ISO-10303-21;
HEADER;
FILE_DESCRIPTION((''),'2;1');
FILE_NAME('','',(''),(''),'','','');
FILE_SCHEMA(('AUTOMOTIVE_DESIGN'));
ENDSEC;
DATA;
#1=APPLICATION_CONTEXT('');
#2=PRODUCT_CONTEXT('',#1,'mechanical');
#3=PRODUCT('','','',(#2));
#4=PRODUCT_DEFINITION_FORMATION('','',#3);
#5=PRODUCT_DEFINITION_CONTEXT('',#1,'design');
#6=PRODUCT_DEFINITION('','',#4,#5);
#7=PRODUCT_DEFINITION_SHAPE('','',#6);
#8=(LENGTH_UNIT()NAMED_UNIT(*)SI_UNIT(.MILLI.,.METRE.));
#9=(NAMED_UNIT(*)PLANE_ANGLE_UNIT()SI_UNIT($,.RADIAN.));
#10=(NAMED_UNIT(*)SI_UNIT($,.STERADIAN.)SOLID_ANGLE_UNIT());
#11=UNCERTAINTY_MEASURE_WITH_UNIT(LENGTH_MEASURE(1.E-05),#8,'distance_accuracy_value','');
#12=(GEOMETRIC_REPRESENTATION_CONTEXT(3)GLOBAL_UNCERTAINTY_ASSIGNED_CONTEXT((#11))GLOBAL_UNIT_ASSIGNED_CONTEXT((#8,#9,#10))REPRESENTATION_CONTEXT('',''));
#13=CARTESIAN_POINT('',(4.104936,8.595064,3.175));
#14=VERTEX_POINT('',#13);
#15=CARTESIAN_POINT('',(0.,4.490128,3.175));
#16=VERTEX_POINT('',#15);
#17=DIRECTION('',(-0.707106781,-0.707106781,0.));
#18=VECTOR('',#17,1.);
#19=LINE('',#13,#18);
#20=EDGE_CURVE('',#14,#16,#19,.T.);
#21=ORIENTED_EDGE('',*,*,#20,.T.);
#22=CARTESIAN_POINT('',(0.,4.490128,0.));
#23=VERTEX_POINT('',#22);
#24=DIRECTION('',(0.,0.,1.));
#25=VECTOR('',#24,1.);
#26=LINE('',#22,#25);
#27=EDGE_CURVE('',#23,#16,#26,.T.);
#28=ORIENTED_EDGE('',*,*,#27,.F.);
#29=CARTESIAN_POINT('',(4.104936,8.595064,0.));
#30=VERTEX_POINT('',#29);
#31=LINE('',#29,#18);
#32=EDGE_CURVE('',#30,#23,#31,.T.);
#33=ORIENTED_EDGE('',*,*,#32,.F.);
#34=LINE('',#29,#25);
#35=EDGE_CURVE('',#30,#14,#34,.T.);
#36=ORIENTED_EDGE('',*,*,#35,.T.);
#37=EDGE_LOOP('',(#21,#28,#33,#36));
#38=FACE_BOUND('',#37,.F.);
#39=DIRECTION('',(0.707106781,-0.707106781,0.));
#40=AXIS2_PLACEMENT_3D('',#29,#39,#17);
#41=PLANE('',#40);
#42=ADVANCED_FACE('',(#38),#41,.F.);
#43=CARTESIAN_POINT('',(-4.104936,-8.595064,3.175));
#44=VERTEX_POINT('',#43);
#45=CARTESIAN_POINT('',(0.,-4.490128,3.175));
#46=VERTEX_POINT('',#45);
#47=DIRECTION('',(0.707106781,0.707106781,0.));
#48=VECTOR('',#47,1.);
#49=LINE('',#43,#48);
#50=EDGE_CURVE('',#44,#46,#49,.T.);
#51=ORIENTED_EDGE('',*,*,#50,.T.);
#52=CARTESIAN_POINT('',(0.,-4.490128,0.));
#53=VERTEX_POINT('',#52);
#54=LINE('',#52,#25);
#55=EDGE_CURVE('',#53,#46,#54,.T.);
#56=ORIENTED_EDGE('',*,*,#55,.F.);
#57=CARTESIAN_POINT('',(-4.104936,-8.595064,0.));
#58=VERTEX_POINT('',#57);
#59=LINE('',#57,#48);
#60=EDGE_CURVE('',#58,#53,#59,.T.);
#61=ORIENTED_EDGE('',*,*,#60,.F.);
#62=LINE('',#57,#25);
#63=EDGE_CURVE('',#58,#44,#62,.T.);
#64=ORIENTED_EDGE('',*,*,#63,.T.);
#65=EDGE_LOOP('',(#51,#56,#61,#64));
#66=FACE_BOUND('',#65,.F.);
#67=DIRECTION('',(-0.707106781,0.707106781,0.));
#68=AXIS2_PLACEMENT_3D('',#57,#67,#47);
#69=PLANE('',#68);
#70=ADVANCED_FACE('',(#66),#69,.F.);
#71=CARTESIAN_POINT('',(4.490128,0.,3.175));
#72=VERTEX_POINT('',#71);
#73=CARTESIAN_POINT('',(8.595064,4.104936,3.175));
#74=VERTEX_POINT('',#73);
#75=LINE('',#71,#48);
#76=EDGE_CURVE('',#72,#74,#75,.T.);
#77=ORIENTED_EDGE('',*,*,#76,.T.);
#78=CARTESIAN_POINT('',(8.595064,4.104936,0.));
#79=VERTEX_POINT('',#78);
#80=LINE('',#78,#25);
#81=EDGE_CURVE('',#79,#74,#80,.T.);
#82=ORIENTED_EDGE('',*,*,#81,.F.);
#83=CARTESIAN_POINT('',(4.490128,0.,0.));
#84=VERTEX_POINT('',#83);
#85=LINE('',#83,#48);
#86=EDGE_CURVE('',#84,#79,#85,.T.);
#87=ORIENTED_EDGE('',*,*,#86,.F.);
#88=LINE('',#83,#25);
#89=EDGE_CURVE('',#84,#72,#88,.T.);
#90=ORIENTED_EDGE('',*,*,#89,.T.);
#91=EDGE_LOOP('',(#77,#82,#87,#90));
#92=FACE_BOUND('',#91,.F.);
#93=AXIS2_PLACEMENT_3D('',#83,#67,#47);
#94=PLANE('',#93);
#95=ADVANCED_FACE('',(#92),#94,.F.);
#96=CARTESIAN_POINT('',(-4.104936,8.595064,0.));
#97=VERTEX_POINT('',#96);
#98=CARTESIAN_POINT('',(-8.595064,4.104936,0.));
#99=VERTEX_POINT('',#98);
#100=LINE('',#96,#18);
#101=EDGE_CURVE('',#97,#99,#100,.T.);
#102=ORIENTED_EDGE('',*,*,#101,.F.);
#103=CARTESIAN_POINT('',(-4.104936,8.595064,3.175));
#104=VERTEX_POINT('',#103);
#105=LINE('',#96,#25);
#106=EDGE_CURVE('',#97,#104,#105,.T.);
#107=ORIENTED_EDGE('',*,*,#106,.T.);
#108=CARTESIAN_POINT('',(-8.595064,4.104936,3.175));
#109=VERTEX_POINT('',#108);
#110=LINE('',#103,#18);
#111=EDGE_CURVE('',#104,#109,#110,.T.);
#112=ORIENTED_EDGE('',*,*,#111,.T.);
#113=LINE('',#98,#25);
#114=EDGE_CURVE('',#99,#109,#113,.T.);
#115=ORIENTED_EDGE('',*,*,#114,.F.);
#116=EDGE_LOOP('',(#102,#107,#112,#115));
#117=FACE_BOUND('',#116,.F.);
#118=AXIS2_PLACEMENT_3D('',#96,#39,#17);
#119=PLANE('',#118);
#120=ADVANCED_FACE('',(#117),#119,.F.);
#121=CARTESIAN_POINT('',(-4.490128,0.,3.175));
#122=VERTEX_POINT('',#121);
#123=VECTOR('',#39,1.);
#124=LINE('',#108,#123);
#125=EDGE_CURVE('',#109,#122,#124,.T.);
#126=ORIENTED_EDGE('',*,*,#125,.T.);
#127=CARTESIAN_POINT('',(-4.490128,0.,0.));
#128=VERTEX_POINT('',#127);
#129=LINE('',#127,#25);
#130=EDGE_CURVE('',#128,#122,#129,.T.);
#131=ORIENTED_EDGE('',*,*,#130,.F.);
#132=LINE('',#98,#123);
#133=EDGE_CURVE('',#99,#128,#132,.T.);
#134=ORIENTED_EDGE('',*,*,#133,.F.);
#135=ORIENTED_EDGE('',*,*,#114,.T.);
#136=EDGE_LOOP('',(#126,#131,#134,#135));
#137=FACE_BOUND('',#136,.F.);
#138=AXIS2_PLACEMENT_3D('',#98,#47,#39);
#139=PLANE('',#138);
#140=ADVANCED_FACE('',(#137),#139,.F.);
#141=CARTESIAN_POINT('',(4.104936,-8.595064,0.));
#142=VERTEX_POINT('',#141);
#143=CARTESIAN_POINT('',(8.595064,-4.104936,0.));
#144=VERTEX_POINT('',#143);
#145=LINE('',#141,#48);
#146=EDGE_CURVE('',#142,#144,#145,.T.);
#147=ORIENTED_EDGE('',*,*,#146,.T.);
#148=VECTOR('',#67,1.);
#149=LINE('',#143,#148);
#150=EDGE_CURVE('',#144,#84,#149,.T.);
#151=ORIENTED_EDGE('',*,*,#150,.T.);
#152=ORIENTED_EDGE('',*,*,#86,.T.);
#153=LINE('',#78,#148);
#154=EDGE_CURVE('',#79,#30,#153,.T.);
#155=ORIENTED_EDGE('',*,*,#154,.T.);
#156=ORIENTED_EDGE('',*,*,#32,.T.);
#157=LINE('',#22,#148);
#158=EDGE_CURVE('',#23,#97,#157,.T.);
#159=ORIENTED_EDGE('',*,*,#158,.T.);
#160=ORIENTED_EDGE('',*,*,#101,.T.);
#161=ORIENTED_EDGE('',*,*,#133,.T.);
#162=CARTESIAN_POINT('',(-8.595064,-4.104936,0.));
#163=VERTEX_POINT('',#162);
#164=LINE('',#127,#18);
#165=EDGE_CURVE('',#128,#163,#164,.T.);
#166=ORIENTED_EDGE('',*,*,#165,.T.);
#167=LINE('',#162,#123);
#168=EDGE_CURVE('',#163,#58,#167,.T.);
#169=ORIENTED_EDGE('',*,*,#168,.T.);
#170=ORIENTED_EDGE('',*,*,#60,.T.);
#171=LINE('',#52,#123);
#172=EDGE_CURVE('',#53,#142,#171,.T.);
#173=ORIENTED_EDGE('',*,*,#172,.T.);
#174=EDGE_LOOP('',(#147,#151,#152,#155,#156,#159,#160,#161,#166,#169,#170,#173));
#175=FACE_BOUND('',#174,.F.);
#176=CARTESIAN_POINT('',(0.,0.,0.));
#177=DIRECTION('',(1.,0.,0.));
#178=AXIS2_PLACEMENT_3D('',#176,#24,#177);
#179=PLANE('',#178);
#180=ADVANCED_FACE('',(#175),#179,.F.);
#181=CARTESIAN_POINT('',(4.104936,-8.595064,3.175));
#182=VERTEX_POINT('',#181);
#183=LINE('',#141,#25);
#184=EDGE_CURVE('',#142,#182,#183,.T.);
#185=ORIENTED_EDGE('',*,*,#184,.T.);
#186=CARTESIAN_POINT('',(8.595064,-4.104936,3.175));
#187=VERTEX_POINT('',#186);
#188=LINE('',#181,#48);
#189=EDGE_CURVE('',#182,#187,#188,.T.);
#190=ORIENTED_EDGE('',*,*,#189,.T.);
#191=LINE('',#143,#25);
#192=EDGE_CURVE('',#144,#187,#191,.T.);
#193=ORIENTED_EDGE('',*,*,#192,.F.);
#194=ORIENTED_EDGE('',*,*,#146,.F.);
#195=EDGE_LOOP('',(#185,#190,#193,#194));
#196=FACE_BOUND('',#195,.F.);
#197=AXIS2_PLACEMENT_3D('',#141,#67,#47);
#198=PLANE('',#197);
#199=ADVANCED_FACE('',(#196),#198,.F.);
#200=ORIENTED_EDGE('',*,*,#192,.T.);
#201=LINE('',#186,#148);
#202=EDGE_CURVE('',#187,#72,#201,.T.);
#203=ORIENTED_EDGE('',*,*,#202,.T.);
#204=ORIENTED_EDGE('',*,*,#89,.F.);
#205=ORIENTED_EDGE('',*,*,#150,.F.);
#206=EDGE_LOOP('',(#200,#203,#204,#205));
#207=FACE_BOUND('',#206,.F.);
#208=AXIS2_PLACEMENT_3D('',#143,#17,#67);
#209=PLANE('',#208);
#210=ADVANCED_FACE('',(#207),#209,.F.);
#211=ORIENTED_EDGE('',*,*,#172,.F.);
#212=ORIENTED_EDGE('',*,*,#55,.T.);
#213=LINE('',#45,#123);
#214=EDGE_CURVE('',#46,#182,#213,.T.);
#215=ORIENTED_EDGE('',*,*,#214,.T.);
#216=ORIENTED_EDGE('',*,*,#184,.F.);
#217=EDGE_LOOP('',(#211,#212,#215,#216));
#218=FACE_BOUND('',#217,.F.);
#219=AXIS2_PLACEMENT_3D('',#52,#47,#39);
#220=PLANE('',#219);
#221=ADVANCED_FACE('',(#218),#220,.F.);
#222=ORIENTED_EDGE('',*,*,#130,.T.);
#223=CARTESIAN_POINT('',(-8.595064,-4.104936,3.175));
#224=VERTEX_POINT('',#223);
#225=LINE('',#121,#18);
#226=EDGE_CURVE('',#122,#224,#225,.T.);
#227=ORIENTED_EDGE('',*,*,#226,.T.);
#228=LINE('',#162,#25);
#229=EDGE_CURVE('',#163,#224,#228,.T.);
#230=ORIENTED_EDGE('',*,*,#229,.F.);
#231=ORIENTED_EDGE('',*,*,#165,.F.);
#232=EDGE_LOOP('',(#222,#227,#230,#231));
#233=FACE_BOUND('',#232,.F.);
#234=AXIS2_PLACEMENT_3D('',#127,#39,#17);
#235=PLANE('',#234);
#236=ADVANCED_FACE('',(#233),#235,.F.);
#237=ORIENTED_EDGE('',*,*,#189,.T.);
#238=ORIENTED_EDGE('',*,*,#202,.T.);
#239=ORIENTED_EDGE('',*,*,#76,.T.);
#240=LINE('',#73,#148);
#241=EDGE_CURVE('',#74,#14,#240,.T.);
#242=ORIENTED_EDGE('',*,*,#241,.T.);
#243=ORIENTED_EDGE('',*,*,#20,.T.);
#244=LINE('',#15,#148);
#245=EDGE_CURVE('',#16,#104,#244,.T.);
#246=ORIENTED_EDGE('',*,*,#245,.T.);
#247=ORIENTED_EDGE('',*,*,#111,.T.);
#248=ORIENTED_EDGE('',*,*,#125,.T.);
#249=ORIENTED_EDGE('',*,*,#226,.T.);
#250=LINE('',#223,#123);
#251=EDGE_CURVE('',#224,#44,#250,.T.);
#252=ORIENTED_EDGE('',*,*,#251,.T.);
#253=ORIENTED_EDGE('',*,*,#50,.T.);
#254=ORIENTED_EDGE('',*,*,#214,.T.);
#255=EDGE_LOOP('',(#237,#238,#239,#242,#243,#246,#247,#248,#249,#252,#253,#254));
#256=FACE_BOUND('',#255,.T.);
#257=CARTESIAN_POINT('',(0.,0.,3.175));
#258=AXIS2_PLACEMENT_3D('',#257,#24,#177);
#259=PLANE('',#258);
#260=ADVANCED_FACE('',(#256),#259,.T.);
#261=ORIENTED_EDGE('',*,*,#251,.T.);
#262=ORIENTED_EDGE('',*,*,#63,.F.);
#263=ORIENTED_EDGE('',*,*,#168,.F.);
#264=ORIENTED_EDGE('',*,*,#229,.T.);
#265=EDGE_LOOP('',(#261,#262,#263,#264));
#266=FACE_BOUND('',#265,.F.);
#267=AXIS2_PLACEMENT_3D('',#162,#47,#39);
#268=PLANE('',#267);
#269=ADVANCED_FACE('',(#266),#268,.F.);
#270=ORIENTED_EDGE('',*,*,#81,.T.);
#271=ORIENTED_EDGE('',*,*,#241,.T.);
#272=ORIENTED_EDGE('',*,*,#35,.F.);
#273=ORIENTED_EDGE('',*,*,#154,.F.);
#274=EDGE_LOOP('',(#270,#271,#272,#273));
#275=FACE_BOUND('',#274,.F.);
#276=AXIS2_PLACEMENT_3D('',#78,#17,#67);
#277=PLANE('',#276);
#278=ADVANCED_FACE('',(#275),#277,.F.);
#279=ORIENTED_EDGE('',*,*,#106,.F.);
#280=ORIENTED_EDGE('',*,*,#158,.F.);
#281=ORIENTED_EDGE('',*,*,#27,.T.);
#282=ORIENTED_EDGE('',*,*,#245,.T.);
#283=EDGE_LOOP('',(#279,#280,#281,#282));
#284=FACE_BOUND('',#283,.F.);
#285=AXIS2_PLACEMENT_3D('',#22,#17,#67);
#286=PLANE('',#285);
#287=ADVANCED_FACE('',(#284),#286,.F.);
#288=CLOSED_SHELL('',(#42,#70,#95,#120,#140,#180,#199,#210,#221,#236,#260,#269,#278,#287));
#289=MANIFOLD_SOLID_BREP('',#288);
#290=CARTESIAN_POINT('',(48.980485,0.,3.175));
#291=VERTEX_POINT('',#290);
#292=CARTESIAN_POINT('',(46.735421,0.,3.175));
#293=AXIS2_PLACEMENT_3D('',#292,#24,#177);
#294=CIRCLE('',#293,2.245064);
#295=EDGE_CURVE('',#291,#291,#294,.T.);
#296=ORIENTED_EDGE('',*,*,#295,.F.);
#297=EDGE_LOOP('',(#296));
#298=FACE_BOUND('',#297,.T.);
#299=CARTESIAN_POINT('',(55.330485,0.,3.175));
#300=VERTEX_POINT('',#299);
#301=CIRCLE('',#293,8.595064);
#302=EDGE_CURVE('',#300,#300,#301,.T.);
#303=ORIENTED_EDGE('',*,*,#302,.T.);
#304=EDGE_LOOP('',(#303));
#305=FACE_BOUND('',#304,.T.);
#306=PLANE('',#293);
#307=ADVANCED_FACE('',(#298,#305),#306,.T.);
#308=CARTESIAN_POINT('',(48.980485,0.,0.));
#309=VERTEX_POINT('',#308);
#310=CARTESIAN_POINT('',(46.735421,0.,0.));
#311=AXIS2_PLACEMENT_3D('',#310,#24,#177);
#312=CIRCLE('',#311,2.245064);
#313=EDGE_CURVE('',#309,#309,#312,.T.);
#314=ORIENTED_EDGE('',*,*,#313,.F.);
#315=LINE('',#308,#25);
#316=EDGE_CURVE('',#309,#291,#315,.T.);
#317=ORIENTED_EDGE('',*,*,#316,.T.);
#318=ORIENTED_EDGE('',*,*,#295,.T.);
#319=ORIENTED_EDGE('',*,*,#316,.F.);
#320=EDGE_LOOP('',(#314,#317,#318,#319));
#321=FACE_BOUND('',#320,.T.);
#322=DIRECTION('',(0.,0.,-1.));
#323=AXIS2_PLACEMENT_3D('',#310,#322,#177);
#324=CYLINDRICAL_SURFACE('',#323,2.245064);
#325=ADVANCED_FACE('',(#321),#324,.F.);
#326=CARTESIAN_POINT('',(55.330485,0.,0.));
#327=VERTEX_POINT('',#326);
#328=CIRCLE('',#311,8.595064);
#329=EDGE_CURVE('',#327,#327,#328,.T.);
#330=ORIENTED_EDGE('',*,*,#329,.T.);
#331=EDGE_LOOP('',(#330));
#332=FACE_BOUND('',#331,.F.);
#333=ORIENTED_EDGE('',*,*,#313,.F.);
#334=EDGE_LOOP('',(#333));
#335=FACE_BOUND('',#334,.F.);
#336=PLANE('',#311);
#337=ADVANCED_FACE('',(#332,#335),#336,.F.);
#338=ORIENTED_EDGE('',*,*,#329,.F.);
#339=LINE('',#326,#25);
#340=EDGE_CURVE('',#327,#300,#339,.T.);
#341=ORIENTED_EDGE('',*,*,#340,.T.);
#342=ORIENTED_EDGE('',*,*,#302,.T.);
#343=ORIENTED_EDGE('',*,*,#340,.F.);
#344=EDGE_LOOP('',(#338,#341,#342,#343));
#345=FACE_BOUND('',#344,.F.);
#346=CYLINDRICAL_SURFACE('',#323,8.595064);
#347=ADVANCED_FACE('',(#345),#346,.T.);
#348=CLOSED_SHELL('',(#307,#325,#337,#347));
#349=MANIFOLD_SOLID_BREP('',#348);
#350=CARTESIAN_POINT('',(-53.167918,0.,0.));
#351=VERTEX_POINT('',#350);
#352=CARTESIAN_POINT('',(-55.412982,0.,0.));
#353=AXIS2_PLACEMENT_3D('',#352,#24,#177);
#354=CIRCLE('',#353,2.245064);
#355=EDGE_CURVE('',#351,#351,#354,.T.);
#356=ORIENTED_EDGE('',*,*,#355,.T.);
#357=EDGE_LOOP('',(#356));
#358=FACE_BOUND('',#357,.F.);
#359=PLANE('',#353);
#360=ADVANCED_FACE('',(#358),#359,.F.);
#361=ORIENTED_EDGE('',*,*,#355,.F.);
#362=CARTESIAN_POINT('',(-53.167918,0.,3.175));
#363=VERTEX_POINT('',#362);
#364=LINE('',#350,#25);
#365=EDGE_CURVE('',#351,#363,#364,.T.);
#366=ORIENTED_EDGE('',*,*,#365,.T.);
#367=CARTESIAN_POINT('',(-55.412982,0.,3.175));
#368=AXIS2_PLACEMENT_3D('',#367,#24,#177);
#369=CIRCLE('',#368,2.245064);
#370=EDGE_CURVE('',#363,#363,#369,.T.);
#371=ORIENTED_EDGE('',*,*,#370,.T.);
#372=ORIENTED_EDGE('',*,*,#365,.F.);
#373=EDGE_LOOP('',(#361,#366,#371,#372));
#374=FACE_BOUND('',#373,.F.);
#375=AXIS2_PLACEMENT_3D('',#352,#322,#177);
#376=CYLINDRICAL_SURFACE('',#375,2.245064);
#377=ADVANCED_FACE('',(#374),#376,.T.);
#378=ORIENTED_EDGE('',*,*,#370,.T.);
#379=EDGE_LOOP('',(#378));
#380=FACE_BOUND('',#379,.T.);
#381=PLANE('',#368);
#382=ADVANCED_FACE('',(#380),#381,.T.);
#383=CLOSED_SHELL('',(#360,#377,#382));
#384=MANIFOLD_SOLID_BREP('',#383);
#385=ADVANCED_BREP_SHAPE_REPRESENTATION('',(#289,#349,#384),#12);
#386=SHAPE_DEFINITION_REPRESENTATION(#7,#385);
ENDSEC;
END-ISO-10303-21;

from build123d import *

# Parameters (mm, degrees)
F1_DEPTH = 3.175
F2_R     = 8.595064
F2_R_2   = 2.245064
F3_DEPTH = 3.175
F4_R     = 2.245064
F5_DEPTH = 3.175


with BuildPart() as f1:
    # F0 (on Top) → F1 (new body)
    with BuildSketch(Plane.XY):
        Polygon((4.104936, 8.595064), (0, 4.490128), (-4.104936, 8.595064), (-8.595064, 4.104936), (-4.490128, 0), (-8.595064, -4.104936), (-4.104936, -8.595064), (0, -4.490128), (4.104936, -8.595064), (8.595064, -4.104936), (4.490128, 0), (8.595064, 4.104936), align=None)
    extrude(amount=F1_DEPTH)


with BuildPart() as f3:
    # F2 (on Top) → F3 (new body)
    with BuildSketch(Plane.XY):
        with Locations((46.735421, 0)):
            Circle(F2_R)
        with Locations((46.735421, 0)):
            Circle(F2_R_2, mode=Mode.SUBTRACT)
    extrude(amount=F3_DEPTH)


with BuildPart() as f5:
    # F4 (on Top) → F5 (new body)
    with BuildSketch(Plane.XY):
        with Locations((-55.412982, 0)):
            Circle(F4_R)
    extrude(amount=F5_DEPTH)


solid = Compound([f1.part, f3.part, f5.part])
